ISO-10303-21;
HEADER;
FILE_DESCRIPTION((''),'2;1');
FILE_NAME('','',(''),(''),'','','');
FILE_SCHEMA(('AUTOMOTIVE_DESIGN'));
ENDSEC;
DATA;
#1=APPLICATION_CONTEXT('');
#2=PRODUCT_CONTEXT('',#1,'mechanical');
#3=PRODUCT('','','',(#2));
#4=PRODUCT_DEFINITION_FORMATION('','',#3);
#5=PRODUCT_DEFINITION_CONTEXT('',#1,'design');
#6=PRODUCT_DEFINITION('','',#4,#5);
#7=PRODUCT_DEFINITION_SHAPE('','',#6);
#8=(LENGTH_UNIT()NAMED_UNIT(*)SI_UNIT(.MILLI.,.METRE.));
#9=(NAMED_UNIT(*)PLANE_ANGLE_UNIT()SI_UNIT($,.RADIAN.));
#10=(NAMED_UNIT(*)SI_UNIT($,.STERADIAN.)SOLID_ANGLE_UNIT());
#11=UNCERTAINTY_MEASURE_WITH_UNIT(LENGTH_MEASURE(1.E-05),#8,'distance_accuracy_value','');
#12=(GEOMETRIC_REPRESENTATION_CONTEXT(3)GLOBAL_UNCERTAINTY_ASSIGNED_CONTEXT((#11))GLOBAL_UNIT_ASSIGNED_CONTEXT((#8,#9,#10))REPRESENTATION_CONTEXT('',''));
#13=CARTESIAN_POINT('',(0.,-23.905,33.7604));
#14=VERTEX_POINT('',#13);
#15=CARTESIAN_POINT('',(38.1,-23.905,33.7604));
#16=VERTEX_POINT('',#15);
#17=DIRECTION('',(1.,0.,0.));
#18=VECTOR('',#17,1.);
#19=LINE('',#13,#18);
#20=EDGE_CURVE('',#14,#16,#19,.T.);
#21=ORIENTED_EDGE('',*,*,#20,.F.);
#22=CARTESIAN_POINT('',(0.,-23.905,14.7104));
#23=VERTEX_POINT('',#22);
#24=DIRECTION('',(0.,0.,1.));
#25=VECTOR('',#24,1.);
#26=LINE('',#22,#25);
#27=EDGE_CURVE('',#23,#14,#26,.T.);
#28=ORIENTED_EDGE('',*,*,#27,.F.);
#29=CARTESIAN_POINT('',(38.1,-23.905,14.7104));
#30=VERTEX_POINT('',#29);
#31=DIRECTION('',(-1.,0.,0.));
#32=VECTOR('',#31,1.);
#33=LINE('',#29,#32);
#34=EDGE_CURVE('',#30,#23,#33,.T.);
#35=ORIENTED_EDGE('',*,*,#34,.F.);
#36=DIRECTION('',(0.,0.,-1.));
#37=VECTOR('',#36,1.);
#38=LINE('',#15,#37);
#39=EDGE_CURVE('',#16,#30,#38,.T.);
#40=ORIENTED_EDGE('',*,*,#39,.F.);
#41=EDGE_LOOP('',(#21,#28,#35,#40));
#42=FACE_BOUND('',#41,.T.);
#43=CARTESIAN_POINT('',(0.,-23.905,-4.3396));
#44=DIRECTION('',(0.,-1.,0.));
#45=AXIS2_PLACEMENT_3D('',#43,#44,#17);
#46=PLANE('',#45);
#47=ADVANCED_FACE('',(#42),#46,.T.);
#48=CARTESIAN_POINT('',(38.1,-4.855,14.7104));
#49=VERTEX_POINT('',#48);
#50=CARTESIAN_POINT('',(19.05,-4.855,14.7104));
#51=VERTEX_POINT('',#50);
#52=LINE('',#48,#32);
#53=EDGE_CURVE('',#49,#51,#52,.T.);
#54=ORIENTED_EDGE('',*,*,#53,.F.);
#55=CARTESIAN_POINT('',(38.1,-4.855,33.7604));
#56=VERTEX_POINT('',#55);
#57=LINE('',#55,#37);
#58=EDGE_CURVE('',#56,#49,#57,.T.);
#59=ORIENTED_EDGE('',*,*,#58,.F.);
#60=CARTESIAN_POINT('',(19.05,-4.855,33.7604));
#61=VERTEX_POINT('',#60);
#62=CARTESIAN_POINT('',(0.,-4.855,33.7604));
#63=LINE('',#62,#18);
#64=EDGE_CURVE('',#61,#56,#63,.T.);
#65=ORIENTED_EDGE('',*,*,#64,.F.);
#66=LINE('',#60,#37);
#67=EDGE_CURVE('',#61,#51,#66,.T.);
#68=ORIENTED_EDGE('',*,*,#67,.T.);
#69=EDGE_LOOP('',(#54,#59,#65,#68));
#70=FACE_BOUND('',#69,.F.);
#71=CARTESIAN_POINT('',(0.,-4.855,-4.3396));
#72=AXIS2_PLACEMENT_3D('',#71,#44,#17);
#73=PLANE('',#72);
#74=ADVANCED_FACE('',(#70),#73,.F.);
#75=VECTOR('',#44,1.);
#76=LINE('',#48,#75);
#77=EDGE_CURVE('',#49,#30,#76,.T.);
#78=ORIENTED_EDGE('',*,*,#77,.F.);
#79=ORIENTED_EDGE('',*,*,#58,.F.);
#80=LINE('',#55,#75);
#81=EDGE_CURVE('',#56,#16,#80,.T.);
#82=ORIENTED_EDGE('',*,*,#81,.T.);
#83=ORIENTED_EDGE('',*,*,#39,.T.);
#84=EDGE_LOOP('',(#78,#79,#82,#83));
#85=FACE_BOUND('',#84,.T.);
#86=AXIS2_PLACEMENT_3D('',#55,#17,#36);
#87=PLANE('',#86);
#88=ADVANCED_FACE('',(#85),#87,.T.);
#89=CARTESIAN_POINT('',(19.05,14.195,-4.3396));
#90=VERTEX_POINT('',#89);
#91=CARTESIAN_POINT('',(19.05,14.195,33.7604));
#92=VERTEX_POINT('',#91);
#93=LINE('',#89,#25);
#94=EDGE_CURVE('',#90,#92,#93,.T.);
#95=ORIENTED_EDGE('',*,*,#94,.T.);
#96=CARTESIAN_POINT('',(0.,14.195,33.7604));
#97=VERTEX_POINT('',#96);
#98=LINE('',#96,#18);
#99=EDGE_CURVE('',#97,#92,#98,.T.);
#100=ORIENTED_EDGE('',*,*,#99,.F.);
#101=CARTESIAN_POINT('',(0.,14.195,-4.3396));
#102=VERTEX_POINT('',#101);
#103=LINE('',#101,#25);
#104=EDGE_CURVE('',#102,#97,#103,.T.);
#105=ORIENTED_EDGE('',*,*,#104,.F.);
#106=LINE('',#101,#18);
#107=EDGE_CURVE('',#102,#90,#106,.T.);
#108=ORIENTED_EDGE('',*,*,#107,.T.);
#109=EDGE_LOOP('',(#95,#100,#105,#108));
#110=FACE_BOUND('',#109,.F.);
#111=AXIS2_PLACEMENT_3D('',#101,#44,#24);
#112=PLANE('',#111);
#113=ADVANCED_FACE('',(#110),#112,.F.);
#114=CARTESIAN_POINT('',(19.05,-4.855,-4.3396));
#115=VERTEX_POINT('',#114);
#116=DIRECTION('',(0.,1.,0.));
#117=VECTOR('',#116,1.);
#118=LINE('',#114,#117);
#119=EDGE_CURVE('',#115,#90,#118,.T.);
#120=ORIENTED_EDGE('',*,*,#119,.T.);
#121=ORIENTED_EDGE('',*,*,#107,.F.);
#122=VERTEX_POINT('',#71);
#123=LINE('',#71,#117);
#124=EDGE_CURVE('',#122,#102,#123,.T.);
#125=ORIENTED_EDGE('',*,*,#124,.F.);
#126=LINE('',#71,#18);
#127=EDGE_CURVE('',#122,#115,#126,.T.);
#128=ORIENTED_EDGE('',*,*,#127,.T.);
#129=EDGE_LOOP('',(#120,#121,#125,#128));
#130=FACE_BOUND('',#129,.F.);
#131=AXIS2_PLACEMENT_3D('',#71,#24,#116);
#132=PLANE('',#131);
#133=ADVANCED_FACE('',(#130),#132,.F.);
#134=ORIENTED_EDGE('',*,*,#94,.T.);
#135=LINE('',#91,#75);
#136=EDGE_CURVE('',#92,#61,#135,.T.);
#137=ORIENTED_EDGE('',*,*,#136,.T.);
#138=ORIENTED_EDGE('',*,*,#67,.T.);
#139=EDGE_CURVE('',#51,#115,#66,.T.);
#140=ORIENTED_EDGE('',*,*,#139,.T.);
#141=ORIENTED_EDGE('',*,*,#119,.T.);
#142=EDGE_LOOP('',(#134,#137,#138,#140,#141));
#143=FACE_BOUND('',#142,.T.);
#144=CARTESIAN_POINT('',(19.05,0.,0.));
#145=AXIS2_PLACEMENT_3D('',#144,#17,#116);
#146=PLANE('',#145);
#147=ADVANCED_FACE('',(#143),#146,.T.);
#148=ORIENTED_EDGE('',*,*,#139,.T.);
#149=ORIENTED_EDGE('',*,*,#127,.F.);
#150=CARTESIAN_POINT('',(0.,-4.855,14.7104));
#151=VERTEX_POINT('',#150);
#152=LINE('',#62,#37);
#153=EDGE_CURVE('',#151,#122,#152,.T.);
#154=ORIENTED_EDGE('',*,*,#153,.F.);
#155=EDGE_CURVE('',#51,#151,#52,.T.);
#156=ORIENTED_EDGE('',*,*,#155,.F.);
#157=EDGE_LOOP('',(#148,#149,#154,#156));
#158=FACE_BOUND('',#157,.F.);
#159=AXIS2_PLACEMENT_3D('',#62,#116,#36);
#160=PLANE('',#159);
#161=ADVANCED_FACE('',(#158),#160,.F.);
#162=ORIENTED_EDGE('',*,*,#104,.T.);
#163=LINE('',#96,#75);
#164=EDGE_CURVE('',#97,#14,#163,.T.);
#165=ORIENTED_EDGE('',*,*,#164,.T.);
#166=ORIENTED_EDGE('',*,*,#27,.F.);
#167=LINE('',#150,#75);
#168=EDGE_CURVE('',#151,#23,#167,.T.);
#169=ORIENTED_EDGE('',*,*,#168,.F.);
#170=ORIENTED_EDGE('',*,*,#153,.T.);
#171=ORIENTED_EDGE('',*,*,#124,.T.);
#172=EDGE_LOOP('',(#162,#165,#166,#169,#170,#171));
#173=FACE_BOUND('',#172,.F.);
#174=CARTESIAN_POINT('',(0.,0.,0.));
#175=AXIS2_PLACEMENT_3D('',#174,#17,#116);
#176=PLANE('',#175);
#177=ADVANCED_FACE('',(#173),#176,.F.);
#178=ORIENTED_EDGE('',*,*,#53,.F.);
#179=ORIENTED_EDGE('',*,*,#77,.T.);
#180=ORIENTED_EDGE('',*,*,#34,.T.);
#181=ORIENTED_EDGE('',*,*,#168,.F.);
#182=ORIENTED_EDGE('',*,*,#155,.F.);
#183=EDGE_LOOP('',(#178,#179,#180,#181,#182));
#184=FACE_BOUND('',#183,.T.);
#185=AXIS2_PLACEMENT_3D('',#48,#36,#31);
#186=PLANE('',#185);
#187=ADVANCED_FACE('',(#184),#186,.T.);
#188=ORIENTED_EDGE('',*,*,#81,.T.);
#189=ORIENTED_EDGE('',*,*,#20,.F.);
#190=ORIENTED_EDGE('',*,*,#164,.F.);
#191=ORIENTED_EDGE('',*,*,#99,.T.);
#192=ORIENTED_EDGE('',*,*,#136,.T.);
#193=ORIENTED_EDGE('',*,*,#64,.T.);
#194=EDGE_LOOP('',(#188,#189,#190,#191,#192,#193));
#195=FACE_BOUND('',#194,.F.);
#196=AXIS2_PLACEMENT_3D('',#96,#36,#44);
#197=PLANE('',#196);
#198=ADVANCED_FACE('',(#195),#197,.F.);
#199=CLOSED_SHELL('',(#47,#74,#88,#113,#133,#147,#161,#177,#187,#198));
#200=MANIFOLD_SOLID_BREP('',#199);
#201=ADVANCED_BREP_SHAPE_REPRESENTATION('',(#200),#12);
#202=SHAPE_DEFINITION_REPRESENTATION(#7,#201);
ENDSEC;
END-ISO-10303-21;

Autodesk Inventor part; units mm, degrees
ref_plane "YZ Plane" through (0, 0, 0) normal (1, 0, 0) x (0, 1, 0)
ref_plane "XZ Plane" through (0, 0, 0) normal (0, 1, 0) x (-1, 0, 0)
ref_plane "XY Plane" through (0, 0, 0) normal (0, 0, 1) x (1, 0, 0)
sketch "Sketch1" plane through (0, 0, 0) normal (1, 0, 0) x (0, 1, 0)
  line L0 (14.195, 33.7604) -> (-4.855, 33.7604)
  line L1 (-4.855, 33.7604) -> (-4.855, -4.3396)
  line L2 (-4.855, -4.3396) -> (14.195, -4.3396)
  line L3 (14.195, -4.3396) -> (14.195, 33.7604)
  point P0 (0, 0)
  dimension "d0" = 19.05
  dimension "d1" = 38.1
extrude "Extrusion1" add sketch "Sketch1" along normal blind 19.05
sketch "Sketch2" plane through (0, -4.855, -4.3396) normal (0, -1, 0) x (1, 0, 0)
  line L0 (0, 38.1) -> (38.1, 38.1)
  line L1 (38.1, 38.1) -> (38.1, 19.05)
  line L2 (38.1, 19.05) -> (0, 19.05)
  line L3 (0, 19.05) -> (0, 38.1)
  point P0 (0, 4.3396)
  dimension "d4" = 38.1
  dimension "d5" = 19.05
extrude "Extrusion2" add sketch "Sketch2" along normal blind 19.05
properties part number "Green part"
